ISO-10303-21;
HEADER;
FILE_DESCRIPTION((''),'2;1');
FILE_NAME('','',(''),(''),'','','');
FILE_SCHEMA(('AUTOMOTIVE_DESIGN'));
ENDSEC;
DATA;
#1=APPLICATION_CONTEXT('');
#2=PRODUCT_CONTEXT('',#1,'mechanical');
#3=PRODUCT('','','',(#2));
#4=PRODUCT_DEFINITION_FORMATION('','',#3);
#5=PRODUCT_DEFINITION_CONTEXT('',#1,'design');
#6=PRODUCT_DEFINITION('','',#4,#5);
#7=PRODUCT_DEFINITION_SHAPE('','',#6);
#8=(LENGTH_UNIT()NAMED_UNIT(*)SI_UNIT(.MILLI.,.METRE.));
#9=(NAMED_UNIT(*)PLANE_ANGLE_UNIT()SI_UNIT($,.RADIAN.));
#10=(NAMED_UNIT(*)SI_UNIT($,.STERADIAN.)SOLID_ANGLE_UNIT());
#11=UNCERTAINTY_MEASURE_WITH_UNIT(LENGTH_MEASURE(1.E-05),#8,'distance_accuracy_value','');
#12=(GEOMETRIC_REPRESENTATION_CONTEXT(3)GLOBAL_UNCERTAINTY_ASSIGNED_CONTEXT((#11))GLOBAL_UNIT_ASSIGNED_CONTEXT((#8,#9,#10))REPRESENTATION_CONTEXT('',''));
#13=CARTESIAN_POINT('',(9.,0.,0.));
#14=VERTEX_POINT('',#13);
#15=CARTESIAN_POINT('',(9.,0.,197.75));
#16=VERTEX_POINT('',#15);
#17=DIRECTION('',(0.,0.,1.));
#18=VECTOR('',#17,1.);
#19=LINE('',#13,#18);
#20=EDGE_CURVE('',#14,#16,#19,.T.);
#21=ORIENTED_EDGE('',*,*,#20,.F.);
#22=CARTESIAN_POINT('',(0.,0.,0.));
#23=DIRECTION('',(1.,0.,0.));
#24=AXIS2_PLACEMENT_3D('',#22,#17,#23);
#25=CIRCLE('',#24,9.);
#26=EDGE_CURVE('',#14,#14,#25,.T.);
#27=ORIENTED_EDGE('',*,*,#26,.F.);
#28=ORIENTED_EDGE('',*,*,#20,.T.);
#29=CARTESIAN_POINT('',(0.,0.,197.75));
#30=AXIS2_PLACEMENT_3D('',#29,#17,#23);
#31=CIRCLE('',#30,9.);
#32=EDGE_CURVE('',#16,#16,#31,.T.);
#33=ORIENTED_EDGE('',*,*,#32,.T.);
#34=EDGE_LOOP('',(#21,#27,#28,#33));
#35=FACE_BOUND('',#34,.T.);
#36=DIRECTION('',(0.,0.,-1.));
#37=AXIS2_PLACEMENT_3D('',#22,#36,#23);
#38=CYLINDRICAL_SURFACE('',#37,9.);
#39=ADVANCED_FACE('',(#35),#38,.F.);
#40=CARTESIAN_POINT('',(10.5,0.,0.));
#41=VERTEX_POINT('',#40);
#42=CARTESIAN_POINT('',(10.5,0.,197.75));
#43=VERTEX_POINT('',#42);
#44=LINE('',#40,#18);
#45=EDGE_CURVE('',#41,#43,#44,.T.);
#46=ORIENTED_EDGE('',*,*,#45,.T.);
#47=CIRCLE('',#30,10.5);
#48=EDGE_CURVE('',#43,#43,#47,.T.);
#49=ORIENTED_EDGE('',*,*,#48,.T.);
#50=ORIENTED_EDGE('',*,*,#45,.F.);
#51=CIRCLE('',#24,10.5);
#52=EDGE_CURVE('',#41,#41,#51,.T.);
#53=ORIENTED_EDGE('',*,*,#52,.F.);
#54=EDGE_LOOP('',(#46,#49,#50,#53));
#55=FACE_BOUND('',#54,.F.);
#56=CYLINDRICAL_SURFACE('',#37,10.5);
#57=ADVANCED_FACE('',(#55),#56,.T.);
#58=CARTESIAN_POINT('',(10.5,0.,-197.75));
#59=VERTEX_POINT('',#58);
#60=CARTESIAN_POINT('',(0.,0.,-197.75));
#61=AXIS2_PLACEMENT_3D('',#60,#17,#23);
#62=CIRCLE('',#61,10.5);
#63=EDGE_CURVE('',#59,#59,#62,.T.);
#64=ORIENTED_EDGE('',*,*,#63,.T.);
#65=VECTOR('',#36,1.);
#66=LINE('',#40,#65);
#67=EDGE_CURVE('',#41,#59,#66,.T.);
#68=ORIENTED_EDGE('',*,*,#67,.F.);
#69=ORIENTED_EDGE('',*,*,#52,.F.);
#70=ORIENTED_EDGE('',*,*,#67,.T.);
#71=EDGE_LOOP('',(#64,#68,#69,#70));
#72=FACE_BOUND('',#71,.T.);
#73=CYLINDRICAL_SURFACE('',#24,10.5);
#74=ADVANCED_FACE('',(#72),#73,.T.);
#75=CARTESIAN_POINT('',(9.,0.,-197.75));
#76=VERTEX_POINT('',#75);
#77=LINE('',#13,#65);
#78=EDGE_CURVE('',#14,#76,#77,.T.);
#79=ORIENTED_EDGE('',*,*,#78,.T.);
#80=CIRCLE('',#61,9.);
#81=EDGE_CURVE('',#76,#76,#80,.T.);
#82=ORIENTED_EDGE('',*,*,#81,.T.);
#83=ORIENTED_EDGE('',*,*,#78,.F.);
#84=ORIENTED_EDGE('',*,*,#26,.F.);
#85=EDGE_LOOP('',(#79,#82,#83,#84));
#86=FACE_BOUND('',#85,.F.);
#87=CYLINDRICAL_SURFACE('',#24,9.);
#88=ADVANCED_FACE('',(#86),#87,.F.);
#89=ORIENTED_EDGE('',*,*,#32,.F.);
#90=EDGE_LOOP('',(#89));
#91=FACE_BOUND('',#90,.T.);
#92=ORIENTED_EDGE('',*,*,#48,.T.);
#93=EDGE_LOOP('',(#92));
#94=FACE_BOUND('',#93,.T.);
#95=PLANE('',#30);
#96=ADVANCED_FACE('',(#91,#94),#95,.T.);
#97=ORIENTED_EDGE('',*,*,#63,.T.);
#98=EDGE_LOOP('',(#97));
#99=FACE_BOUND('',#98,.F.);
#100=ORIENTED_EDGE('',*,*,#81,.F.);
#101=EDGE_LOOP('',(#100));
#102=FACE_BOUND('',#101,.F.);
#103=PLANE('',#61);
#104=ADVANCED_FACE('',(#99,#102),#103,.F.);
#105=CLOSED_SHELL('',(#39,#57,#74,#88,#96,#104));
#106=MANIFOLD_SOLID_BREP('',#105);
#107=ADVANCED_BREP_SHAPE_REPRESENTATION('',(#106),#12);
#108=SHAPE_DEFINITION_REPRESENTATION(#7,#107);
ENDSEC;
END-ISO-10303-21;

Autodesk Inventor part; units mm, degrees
ref_plane "YZ Plane" through (0, 0, 0) normal (1, 0, 0) x (0, 1, 0)
ref_plane "XZ Plane" through (0, 0, 0) normal (0, 1, 0) x (-1, 0, 0)
ref_plane "XY Plane" through (0, 0, 0) normal (0, 0, 1) x (1, 0, 0)
sketch "Sketch1" plane through (0, 0, 0) normal (0, 0, 1) x (1, 0, 0)
  circle A0 centre (0, 0) radius 10.5
  circle A1 centre (0, 0) radius 9
  dimension "d0" = 18
  dimension "d1" = 21
extrude "Extrusion1" add sketch "Sketch1" along normal mid plane 395.5
properties part number "202-05" material "Steel"
